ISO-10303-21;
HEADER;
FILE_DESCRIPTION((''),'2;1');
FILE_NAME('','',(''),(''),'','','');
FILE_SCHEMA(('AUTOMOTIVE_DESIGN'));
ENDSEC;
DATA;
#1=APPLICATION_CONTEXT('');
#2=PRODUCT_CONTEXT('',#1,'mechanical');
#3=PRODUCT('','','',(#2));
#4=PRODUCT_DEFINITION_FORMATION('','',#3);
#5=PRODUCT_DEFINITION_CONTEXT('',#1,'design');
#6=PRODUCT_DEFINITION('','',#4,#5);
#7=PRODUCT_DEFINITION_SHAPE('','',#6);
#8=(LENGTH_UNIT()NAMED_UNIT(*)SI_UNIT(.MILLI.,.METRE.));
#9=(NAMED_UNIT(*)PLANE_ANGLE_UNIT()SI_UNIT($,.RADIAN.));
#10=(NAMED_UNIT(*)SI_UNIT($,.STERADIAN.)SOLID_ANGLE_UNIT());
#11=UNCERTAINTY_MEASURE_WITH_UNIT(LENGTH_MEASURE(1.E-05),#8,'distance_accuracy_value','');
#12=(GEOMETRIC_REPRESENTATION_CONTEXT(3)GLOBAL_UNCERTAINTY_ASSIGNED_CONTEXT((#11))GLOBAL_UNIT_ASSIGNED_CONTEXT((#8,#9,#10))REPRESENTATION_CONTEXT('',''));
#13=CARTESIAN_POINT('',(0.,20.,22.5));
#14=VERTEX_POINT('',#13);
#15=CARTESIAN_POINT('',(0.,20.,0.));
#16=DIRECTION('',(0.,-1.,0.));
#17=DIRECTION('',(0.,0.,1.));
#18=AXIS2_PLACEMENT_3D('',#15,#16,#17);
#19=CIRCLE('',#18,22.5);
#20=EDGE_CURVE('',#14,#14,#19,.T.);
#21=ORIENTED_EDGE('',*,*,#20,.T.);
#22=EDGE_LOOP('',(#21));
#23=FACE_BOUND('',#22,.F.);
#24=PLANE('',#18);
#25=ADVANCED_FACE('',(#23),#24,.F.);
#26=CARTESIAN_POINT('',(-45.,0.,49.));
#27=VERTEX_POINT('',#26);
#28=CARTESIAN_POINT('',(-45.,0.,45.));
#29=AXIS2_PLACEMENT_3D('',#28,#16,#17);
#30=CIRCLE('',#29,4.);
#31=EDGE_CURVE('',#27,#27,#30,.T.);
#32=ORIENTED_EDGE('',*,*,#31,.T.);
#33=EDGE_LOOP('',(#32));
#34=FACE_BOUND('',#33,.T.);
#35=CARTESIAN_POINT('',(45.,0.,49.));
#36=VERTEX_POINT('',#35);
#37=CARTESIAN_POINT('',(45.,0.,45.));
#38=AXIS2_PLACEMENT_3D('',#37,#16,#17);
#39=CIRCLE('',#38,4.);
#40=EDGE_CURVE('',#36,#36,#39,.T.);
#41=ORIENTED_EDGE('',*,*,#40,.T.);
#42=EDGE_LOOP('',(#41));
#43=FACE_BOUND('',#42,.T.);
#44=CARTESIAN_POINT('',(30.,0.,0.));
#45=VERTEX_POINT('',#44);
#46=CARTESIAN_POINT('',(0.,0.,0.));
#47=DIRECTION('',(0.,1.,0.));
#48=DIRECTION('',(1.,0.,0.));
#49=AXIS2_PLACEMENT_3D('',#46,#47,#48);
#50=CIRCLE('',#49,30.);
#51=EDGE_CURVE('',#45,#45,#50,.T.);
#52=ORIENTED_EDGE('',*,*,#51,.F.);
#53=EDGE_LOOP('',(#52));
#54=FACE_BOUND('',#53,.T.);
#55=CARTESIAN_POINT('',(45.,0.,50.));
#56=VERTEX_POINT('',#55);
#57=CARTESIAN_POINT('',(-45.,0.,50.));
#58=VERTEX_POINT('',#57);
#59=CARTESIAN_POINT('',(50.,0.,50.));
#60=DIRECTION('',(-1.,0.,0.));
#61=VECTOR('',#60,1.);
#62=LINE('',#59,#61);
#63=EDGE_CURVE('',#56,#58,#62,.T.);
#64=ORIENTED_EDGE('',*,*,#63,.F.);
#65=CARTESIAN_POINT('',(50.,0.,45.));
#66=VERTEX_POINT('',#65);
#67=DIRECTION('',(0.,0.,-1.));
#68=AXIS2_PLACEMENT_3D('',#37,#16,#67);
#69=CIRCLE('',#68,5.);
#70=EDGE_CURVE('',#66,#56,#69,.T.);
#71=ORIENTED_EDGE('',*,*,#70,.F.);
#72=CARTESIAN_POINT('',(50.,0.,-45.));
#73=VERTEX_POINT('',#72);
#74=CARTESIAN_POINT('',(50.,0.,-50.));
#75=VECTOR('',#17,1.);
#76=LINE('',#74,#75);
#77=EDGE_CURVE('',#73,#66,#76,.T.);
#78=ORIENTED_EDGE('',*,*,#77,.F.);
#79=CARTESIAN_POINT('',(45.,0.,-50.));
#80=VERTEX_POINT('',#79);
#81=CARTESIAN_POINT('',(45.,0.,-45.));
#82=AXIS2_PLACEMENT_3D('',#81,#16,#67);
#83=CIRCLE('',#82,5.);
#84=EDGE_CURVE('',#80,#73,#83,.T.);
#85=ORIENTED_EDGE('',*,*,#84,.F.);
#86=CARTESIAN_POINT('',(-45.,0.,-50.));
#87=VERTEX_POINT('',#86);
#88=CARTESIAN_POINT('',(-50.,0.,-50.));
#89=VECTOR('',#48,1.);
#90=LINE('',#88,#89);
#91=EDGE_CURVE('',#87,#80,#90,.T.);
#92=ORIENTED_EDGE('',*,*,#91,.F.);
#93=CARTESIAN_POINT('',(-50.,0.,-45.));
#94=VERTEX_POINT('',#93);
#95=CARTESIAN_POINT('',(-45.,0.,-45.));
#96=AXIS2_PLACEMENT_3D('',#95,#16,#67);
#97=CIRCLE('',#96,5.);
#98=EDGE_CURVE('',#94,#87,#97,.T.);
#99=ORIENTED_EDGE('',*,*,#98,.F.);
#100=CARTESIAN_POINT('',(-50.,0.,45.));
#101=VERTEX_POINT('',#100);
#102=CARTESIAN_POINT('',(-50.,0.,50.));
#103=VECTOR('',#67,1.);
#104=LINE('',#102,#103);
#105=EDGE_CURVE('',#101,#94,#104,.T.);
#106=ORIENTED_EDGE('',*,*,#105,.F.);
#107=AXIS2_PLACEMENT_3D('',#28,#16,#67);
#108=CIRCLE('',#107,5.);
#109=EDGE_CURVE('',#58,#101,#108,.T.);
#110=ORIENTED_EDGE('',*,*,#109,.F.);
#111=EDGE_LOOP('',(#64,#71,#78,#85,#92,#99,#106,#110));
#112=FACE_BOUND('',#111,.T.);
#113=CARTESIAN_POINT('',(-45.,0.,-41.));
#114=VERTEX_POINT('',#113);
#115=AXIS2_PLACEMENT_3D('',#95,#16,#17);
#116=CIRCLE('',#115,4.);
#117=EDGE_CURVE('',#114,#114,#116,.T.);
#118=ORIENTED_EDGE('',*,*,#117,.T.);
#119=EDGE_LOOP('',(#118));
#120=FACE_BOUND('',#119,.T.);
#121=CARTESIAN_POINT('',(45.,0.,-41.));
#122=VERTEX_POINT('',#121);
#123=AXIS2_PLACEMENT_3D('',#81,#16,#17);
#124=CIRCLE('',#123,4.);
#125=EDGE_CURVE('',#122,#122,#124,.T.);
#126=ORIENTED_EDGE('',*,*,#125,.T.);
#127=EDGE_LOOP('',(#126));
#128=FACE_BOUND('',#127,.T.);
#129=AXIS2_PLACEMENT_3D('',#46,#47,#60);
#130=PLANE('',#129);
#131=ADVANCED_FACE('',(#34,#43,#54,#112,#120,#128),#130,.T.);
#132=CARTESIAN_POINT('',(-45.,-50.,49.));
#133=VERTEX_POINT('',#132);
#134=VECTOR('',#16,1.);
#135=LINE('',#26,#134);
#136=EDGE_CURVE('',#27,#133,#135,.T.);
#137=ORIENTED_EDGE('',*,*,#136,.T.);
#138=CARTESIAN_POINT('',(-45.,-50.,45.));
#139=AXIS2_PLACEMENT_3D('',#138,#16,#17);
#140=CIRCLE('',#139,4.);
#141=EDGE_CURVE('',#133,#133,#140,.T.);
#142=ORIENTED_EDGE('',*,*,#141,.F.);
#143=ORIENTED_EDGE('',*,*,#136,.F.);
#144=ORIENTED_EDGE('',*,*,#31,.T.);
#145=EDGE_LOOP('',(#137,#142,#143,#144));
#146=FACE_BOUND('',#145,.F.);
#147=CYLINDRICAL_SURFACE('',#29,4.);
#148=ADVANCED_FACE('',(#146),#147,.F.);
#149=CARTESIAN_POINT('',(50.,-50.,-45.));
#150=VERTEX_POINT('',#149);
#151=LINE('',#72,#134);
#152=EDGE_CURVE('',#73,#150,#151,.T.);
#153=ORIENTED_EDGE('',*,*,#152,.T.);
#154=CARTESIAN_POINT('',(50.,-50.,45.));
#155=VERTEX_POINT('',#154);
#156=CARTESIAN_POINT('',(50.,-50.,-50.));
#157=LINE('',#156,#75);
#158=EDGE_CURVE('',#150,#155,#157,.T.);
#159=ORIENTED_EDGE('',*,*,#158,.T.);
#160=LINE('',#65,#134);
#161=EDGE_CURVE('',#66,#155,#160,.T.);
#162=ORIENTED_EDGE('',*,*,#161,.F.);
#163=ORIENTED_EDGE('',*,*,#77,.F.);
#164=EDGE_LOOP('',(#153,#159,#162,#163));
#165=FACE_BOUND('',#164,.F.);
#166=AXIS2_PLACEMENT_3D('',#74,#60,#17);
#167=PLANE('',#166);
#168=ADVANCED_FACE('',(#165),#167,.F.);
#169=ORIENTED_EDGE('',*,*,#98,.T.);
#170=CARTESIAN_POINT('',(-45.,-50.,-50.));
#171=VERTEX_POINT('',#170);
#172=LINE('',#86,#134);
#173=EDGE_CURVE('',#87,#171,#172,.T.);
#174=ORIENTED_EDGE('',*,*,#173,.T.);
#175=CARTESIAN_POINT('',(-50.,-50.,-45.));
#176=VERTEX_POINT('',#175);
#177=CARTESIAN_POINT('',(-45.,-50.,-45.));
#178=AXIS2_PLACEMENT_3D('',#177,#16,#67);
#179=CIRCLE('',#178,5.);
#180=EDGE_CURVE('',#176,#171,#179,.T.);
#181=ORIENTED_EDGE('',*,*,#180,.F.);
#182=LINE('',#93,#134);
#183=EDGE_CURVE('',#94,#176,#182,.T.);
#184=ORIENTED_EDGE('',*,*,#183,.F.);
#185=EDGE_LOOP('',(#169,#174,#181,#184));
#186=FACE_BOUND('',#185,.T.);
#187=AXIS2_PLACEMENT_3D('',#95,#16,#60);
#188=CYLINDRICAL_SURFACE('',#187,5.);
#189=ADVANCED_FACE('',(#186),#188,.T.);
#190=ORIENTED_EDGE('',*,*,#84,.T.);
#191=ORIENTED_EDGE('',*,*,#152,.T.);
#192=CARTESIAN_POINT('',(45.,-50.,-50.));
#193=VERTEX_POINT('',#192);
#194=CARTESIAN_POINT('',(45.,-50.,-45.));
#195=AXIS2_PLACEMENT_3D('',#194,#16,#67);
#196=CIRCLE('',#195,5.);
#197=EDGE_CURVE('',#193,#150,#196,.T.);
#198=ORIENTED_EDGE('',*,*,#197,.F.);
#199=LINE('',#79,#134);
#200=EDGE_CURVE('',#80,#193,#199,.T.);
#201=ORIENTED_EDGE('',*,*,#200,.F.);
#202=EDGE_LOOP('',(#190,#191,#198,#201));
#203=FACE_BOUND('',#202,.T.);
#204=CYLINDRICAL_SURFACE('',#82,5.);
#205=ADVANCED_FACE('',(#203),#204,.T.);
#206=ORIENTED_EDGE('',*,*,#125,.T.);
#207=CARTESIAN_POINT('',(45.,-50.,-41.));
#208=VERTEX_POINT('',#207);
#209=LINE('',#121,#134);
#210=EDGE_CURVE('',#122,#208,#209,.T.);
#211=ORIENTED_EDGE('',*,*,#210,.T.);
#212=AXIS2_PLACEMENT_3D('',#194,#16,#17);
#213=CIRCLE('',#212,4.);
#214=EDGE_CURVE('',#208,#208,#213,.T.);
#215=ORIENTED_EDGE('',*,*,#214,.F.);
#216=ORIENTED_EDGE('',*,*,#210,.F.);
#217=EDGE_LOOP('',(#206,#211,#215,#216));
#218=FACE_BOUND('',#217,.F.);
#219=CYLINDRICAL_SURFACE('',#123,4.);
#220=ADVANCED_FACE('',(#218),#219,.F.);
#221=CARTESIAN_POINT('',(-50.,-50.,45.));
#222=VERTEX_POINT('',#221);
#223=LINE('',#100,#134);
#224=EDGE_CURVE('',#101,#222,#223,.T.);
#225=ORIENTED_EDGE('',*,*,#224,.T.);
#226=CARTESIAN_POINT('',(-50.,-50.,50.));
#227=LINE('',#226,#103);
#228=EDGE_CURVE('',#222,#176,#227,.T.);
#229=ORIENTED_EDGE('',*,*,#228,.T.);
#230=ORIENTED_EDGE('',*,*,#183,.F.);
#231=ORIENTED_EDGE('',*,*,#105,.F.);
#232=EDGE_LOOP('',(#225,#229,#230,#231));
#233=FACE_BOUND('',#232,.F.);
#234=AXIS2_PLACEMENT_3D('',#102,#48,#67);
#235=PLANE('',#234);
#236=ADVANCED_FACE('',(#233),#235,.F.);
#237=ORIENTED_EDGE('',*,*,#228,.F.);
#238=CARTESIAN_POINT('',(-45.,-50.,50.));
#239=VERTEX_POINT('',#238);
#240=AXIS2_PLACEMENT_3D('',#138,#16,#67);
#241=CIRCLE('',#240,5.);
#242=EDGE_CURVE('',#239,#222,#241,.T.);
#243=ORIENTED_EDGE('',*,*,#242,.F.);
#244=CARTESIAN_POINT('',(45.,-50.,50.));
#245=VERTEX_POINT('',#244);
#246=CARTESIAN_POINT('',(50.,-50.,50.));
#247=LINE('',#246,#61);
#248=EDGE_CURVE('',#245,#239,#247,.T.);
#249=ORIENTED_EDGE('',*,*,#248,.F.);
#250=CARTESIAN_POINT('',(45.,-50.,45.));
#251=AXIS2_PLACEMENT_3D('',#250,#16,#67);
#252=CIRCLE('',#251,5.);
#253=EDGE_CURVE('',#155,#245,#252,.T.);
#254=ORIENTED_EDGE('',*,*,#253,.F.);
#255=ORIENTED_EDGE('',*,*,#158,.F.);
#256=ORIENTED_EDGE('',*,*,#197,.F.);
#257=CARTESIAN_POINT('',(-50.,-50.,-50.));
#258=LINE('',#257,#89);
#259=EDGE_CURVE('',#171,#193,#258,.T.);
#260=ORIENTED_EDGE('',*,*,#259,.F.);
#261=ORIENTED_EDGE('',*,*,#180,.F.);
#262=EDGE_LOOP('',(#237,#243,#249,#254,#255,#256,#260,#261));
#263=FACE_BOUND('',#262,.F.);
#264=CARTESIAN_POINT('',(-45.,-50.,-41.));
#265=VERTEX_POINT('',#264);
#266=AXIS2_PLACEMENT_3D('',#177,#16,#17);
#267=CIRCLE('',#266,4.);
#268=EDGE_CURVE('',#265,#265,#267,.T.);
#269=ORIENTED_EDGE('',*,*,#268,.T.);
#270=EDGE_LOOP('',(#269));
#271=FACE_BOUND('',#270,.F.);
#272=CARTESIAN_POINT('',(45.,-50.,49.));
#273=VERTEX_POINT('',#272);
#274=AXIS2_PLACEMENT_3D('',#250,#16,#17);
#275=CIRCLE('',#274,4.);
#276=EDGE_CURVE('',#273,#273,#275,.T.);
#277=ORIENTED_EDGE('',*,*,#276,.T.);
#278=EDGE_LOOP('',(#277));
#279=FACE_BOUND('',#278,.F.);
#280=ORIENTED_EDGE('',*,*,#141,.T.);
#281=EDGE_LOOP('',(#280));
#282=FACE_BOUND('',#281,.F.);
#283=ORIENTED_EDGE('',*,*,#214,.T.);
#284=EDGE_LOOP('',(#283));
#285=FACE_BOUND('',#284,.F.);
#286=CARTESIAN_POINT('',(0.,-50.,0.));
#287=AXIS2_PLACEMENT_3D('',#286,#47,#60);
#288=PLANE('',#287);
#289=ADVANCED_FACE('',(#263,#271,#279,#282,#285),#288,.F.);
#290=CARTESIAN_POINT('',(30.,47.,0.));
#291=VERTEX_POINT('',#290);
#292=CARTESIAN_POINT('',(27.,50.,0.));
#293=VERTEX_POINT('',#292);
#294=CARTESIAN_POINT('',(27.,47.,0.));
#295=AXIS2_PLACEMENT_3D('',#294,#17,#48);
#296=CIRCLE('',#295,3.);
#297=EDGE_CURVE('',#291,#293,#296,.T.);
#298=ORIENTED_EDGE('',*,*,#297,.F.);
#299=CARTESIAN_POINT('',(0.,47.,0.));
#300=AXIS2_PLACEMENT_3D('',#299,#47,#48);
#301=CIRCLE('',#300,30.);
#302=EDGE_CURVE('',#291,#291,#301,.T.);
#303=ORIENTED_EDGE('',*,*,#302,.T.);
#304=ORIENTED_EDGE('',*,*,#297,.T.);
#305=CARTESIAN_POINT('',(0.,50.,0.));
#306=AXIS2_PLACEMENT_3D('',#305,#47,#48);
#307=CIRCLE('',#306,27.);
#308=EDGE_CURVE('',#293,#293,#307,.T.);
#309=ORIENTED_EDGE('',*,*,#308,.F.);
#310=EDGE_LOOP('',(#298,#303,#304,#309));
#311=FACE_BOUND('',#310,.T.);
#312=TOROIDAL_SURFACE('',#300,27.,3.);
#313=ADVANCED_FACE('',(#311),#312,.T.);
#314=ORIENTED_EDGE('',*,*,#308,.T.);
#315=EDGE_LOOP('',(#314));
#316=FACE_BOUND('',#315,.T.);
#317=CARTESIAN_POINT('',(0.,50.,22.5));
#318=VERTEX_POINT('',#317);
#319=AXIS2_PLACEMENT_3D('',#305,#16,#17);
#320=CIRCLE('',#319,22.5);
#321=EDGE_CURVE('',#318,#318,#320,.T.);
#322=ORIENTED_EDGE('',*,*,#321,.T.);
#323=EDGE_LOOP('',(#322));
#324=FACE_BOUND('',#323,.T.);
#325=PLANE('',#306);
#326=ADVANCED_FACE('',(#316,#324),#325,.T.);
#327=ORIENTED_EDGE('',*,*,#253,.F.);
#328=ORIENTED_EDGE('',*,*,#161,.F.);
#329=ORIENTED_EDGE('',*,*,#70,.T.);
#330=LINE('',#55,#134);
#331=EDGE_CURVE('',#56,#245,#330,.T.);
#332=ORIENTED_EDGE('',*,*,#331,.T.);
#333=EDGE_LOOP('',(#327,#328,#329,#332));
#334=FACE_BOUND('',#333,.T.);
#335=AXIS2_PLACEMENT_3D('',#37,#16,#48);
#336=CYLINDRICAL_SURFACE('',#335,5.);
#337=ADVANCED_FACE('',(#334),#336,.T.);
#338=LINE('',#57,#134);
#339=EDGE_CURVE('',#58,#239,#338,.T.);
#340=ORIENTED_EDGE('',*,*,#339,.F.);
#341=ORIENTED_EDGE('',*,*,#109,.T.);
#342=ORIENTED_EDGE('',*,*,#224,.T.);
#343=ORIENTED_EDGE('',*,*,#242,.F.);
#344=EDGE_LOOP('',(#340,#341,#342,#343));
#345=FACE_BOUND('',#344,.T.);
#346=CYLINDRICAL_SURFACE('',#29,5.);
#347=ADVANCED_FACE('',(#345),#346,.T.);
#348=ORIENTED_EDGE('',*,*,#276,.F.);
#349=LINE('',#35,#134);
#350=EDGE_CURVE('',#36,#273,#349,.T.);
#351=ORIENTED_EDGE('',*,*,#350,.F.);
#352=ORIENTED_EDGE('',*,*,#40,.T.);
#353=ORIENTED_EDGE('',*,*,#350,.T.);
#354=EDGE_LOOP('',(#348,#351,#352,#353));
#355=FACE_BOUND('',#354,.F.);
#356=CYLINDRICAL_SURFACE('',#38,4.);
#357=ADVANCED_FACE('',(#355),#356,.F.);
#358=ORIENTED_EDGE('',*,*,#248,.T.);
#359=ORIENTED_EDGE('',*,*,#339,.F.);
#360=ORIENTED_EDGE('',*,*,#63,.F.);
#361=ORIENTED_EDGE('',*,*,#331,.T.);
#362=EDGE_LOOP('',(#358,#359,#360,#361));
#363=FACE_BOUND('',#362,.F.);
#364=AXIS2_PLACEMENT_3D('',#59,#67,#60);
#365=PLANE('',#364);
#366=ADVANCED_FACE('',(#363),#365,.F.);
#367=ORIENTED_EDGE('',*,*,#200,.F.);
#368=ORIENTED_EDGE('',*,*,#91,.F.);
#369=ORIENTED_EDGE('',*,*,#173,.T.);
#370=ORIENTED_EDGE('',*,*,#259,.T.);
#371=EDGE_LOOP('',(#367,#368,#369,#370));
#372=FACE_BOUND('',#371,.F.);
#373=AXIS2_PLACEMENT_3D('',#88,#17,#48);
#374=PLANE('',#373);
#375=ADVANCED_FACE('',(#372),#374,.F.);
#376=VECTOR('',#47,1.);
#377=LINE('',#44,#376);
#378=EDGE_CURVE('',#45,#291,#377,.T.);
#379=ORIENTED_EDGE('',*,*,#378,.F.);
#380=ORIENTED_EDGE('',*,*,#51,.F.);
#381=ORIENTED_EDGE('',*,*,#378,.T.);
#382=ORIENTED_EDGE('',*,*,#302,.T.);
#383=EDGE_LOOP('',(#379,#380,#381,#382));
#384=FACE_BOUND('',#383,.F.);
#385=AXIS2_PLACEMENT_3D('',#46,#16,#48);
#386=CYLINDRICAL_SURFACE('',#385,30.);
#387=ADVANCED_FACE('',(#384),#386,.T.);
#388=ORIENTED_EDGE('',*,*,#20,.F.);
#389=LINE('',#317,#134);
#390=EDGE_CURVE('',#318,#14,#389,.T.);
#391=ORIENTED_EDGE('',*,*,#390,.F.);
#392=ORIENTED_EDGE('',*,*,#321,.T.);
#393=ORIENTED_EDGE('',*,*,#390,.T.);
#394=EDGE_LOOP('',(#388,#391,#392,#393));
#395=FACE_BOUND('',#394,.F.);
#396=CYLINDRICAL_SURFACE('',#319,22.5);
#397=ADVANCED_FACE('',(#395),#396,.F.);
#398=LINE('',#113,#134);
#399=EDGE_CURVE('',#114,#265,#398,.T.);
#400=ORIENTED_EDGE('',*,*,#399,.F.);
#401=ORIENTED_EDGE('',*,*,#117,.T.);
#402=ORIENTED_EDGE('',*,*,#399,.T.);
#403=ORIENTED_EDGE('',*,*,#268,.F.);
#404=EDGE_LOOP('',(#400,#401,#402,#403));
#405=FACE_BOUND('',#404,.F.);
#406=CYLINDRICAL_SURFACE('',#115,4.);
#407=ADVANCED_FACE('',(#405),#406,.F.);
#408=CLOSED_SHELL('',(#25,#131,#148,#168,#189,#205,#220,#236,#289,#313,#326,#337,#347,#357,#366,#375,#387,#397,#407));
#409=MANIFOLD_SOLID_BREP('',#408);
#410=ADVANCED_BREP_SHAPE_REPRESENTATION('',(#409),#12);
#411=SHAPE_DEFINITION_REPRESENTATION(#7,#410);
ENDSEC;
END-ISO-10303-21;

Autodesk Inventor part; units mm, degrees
ref_plane "YZ Plane" through (0, 0, 0) normal (1, 0, 0) x (0, 1, 0)
ref_plane "XZ Plane" through (0, 0, 0) normal (0, 1, 0) x (-1, 0, 0)
ref_plane "XY Plane" through (0, 0, 0) normal (0, 0, 1) x (1, 0, 0)
sketch "Sketch1" plane through (0, 0, 0) normal (0, 1, 0) x (-1, 0, 0)
  point P0 (0, 0)
sketch "Sketch2" plane through (0, 0, 0) normal (0, 1, 0) x (-1, 0, 0)
  line L0 (-50, 50) -> (50, 50)
  line L1 (50, 50) -> (50, -50)
  line L2 (50, -50) -> (-50, -50)
  line L3 (-50, -50) -> (-50, 50)
  line L4 (-50, 50) -> (50, -50) construction
  line L5 (50, 50) -> (-50, -50) construction
  point P0 (0, 0)
  dimension "d0" = 100
  dimension "d1" = 100
extrude "Extrusion1" add sketch "Sketch2" against normal blind 50
sketch "Sketch3" plane through (0, 0, 0) normal (0, 1, 0) x (1, 0, 0)
  circle A0 centre (0, 0) radius 30
  dimension "d4" = 60
extrude "Extrusion2" add sketch "Sketch3" along normal blind 50
sketch "Sketch4" plane through (0, 50, 0) normal (0, 1, 0) x (1, 0, 0)
  point P0 (0, 0)
hole "Hole1" at (0, 50, 0) direction (0, -1, 0) diameter 45 depth 30
thread "Thread1" size "M50x4" class "6H" standard "ANSI Metric M Profile" full length
fillet "Fillet1" radius 3 1 edges at (-30, 50, 0)
sketch "Sketch9" plane through (0, 0, 0) normal (0, 1, 0) x (1, 0, 0)
  circle A0 centre (45, 45) radius 4
  circle A1 centre (45, 45) radius 5
  circle A2 centre (45, -45) radius 5
  circle A3 centre (45, -45) radius 4
  circle A4 centre (-45, 45) radius 4
  circle A5 centre (-45, 45) radius 5
  circle A6 centre (-45, -45) radius 4
  circle A7 centre (-45, -45) radius 5
  point P0 (0, 0)
  point P1 (-50, 50)
  point P2 (-50, -50)
fillet "Fillet6" radius 5 1 edges at (-50, -25, 50)
fillet "Fillet7" radius 5 1 edges at (-50, -25, -50)
fillet "Fillet8" radius 5 1 edges at (50, -25, -50)
fillet "Fillet9" radius 5 1 edges at (50, -25, 50)
hole "Hole7" at (45, 0, -45) direction (0, -1, 0) diameter 8 end through all
hole "Hole8" at (45, 0, 45) direction (0, -1, 0) diameter 8 end through all
hole "Hole9" at (-45, 0, 45) direction (0, -1, 0) diameter 8 end through all
hole "Hole10" at (-45, 0, -45) direction (0, -1, 0) diameter 8 end through all
properties part number "Practica1 - Jonnathan Lanuza"
